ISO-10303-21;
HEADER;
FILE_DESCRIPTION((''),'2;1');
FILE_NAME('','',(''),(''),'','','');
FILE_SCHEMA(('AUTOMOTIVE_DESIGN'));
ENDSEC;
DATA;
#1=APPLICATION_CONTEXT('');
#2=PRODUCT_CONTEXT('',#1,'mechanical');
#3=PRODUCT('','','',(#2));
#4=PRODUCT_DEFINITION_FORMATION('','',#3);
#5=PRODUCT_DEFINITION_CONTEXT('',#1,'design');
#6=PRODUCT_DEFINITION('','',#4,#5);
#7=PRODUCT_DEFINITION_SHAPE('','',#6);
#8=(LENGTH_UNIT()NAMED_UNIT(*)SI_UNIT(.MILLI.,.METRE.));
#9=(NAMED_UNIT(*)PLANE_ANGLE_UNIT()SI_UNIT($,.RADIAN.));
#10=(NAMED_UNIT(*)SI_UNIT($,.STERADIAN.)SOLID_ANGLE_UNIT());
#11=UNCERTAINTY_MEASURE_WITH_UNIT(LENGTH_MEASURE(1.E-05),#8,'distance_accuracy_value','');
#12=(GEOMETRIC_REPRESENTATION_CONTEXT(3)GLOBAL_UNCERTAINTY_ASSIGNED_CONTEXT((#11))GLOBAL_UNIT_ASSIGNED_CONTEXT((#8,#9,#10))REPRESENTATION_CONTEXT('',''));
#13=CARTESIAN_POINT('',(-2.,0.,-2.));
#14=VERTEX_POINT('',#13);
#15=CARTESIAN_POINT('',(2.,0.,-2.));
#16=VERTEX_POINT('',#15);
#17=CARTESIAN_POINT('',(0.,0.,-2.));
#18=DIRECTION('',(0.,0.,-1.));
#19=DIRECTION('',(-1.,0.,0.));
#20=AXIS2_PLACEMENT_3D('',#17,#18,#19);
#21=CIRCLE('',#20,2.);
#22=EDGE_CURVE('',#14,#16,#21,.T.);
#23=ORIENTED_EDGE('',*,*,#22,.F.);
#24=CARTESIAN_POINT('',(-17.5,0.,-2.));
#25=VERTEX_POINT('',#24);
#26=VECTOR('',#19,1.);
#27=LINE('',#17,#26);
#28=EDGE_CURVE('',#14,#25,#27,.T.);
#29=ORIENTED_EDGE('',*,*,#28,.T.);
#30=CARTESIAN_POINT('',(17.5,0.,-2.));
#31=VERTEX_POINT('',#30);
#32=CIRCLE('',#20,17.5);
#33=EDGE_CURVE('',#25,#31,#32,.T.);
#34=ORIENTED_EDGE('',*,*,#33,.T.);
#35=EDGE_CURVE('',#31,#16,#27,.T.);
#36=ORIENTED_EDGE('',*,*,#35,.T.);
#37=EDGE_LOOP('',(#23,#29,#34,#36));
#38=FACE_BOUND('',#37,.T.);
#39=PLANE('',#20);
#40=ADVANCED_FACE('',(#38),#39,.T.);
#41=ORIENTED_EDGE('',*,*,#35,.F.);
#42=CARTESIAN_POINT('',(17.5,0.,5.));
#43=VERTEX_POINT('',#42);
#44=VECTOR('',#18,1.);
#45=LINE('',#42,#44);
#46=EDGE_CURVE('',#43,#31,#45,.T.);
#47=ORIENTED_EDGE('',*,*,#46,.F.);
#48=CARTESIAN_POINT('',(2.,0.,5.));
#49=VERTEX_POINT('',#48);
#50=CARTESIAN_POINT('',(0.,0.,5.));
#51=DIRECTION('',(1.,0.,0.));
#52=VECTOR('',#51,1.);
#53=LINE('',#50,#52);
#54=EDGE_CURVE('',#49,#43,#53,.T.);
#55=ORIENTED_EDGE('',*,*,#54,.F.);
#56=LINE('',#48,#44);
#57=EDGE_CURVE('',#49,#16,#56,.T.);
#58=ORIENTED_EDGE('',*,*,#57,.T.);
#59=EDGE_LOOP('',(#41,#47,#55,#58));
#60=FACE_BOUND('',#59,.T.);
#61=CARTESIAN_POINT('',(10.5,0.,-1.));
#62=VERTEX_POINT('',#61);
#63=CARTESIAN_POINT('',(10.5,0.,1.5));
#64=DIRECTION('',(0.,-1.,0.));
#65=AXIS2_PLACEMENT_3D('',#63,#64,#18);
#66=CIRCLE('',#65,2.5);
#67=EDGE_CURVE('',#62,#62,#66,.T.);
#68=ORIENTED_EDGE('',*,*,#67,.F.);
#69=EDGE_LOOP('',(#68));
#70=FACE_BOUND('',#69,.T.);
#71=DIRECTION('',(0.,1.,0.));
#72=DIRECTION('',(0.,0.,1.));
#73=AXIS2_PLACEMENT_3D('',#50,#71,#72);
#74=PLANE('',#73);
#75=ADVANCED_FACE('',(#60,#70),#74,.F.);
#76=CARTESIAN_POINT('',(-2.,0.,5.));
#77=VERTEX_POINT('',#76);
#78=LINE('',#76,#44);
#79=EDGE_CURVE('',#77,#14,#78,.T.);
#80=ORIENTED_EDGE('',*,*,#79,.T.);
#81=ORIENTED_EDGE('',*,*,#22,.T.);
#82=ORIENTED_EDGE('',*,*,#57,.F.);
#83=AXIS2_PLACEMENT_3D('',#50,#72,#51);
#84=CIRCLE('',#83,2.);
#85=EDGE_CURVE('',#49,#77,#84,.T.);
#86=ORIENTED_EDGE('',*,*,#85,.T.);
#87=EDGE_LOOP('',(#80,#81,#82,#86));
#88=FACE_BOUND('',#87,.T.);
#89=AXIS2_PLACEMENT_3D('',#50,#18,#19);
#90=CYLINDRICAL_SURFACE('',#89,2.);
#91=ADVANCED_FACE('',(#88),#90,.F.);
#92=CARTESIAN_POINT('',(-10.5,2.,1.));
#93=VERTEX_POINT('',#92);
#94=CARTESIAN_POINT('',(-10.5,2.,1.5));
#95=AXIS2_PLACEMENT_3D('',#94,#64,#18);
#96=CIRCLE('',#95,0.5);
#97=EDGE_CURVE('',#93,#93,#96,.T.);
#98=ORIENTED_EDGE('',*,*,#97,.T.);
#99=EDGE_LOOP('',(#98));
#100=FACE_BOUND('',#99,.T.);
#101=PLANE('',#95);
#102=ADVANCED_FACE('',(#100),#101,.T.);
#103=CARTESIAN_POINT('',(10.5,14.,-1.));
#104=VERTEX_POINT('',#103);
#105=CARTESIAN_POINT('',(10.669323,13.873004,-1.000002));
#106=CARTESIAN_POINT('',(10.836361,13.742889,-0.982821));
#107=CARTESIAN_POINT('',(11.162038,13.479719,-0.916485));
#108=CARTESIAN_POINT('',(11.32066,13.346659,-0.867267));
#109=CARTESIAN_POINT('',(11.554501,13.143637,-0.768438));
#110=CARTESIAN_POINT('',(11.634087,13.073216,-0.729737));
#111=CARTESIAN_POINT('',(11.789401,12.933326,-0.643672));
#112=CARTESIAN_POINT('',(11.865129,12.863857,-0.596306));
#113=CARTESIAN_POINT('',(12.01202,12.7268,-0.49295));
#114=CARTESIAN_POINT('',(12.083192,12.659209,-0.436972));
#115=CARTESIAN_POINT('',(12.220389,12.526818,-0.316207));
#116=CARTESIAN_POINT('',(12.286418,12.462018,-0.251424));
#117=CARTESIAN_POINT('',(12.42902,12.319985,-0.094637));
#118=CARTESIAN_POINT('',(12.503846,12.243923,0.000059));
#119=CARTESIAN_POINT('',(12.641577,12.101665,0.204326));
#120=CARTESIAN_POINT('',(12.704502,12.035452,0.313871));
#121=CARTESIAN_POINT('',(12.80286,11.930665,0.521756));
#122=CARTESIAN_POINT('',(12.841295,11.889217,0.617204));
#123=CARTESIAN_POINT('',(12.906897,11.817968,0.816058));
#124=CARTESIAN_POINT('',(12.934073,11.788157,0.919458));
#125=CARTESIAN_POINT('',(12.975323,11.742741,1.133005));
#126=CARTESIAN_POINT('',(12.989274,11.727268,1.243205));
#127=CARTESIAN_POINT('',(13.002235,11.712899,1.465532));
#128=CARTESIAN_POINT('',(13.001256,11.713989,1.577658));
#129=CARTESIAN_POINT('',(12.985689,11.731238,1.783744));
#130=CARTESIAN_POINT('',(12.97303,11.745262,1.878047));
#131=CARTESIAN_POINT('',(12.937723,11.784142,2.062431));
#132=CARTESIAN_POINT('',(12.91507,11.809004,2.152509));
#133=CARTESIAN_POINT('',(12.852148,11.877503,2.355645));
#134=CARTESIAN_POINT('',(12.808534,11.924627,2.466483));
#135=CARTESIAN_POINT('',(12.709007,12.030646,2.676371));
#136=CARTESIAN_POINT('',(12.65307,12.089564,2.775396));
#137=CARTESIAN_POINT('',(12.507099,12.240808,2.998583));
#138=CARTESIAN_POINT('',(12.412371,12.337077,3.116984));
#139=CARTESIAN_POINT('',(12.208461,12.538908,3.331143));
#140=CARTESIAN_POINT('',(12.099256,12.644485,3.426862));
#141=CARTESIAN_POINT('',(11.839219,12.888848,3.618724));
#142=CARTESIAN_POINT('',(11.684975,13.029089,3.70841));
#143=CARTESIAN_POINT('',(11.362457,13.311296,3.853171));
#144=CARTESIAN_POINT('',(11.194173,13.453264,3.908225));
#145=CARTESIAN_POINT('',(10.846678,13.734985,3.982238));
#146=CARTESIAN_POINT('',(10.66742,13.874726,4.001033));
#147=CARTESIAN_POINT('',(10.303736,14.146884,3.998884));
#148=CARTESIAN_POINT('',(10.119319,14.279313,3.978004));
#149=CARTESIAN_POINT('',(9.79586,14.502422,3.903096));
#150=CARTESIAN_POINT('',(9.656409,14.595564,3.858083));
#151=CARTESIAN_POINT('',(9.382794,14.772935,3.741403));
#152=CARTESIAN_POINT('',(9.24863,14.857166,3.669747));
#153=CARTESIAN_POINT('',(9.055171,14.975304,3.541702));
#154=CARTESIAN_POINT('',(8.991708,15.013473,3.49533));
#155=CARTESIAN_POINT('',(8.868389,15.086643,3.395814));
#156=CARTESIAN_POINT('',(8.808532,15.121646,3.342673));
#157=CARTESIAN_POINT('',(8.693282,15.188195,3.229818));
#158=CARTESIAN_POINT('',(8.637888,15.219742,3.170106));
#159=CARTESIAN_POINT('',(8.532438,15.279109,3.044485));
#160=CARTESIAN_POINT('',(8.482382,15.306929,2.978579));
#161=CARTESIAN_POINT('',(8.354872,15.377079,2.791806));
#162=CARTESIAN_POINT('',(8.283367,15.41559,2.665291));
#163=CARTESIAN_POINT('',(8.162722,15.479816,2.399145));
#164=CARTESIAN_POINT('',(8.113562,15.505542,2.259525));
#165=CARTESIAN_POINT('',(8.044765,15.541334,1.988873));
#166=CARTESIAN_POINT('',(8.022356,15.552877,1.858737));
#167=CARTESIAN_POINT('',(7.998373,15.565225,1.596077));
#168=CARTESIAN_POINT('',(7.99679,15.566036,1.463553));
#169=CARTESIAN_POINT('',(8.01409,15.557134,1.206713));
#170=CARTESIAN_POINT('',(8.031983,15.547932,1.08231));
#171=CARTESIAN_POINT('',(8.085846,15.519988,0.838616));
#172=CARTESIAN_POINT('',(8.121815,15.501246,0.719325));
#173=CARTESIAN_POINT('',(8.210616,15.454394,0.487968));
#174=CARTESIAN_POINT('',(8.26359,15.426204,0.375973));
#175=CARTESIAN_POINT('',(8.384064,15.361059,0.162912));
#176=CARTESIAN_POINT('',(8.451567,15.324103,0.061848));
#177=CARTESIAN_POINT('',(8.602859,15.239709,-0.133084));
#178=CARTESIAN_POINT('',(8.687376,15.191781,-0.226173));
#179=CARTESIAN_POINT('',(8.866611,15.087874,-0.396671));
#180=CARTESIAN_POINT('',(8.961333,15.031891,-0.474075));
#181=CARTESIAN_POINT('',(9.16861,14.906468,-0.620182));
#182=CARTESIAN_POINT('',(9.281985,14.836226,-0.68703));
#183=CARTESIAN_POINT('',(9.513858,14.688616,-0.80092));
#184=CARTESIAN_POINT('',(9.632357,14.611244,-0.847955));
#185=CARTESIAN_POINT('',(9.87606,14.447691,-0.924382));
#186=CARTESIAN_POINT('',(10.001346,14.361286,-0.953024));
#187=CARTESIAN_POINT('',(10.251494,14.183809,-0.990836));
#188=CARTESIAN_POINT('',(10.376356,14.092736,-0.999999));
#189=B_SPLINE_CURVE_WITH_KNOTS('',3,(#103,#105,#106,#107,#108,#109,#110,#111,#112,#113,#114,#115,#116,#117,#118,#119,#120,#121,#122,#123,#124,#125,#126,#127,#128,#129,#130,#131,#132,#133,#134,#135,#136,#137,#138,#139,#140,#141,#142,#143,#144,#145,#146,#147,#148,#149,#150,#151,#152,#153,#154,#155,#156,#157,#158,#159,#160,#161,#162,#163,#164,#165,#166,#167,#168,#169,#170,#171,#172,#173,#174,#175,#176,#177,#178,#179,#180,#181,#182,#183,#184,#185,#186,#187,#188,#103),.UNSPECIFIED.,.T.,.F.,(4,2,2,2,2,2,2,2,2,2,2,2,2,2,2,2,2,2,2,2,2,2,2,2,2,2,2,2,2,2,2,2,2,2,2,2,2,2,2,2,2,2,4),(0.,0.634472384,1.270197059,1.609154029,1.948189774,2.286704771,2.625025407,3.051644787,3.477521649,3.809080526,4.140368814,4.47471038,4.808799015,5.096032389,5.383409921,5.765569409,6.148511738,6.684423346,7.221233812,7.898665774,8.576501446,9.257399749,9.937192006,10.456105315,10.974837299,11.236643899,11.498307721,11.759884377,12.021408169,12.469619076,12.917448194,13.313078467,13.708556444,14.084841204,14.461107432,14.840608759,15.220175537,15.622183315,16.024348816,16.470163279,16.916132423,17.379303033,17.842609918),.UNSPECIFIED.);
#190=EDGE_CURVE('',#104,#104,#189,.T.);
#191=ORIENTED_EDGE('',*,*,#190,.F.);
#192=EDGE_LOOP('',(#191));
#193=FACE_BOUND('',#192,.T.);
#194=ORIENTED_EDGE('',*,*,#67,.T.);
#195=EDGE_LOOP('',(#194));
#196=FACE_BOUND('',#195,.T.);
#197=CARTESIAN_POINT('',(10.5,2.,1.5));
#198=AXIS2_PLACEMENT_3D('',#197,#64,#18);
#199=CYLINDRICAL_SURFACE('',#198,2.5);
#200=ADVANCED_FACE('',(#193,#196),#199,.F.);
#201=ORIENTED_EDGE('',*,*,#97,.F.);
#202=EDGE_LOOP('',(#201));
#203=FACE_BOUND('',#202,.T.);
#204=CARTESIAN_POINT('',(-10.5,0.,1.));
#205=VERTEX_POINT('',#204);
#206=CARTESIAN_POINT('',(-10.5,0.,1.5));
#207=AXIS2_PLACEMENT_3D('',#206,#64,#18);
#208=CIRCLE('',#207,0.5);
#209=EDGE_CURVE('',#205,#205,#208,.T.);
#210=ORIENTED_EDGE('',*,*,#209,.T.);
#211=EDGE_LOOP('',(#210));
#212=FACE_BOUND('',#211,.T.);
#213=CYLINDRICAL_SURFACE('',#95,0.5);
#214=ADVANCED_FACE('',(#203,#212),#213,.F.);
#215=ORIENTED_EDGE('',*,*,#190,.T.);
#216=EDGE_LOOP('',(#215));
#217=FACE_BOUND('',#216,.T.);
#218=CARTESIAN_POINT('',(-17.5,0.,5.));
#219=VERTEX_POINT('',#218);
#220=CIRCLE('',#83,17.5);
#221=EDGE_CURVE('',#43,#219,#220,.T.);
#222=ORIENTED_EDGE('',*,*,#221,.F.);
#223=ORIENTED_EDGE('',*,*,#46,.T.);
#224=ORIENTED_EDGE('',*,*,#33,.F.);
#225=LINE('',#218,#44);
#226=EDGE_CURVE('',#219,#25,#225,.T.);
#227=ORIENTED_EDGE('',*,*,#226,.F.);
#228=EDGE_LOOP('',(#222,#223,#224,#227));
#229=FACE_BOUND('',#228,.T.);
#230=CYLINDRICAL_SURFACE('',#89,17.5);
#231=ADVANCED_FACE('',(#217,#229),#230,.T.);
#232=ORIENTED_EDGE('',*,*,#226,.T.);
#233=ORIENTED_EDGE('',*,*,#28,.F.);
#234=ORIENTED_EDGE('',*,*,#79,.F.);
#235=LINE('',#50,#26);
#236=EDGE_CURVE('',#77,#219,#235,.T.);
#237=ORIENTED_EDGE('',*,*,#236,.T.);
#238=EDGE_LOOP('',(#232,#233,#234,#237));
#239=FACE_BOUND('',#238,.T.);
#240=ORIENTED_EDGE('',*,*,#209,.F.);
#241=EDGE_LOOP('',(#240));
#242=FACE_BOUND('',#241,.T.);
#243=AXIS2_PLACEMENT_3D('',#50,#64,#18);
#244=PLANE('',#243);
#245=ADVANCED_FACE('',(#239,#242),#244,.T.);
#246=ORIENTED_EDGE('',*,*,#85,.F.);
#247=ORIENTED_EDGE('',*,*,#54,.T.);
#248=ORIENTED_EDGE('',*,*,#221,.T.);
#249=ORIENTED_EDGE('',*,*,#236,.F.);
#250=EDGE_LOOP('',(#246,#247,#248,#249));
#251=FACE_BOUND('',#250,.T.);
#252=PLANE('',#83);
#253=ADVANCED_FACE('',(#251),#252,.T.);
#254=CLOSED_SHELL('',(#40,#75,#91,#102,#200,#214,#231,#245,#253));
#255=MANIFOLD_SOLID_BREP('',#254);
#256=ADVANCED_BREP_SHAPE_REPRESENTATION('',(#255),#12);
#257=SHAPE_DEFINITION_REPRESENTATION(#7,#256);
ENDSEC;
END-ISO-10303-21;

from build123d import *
from build123d.topology import SkipClean

# Parameters (mm, degrees)
BOSS_EXTRU_1_DEPTH      = 5
BOSS_EXTRU_3_START      = 2
BOSS_EXTRU_3_DEPTH      = 2
ESQUISSE5_R             = 0.5
ESQUISSE5_R_2           = 2.5
ENL_V_MAT_EXTRU_1_DEPTH = 2
ESQUISSE7_R             = 2.5
ENL_V_MAT_EXTRU_2_DEPTH = 24.906066176
ESQUISSE8_R             = 2
ENL_V_MAT_EXTRU_3_DEPTH = 26.719642463


with BuildPart() as part:
    # Esquisse1 → Boss.-Extru.1 (new body)
    with BuildSketch(Plane.XY):
        with BuildLine():
            Line((-1.732050808, 1), (1.732050808, 1))
            ThreePointArc((1.732050808, 1), (1.931851653, 0.51763809), (2, 0))
            Line((2, 0), (17.5, 0))
            ThreePointArc((17.5, 0), (0, 17.5), (-17.5, 0))
            Line((-17.5, 0), (-2, 0))
            ThreePointArc((-2, 0), (-1.931851653, 0.51763809), (-1.732050808, 1))
        make_face()
    extrude(amount=BOSS_EXTRU_1_DEPTH)

    # Esquisse3 → Boss.-Extru.3 (add)
    with SkipClean():  # the faces are left unmerged after this step: merging them gives an invalid solid
        with BuildSketch(Plane(origin=(0, 0, 0), x_dir=(-1, 0, 0), z_dir=(0, 0, -1)).offset(BOSS_EXTRU_3_START)):
            with BuildLine():
                Line((0, 2), (0, 17.5))
                ThreePointArc((0, 17.5), (-12.374368671, 12.374368671), (-17.5, 0))
                Line((-17.5, 0), (-2, 0))
                ThreePointArc((-2, 0), (-1.931851653, 0.51763809), (-1.732050808, 1))
                ThreePointArc((-1.732050808, 1), (-1, 1.732050808), (0, 2))
            make_face()
            with BuildLine():
                ThreePointArc((17.5, 0), (12.374368671, 12.374368671), (0, 17.5))
                Line((0, 17.5), (0, 2))
                ThreePointArc((0, 2), (1, 1.732050808), (1.732050808, 1))
                ThreePointArc((1.732050808, 1), (1.931851653, 0.51763809), (2, 0))
                Line((2, 0), (17.5, 0))
            make_face()
        extrude(amount=-BOSS_EXTRU_3_DEPTH)

    # Esquisse5 → Enlèv. mat.-Extru.1 (cut)
    with SkipClean():  # the faces are left unmerged after this step: merging them gives an invalid solid
        with BuildSketch(Plane.XZ):
            with Locations(Location((-10.5, 1.5, 0), (0, 0, 270))):
                Circle(ESQUISSE5_R)
            with Locations(Location((10.5, 1.5, 0), (0, 0, 270))):
                Circle(ESQUISSE5_R_2)
        extrude(amount=-ENL_V_MAT_EXTRU_1_DEPTH, mode=Mode.SUBTRACT)

    # Esquisse7 → Enlèv. mat.-Extru.2 (cut, through all)
    with SkipClean():  # the faces are left unmerged after this step: merging them gives an invalid solid
        with BuildSketch(Plane.XZ.offset(-2)):
            with Locations(Location((10.5, 1.5, 0), (0, 0, 270))):
                Circle(ESQUISSE7_R)
        extrude(amount=-ENL_V_MAT_EXTRU_2_DEPTH, mode=Mode.SUBTRACT)

    # Esquisse8 → Enlèv. mat.-Extru.3 (cut, through all)
    with SkipClean():  # the faces are left unmerged after this step: merging them gives an invalid solid
        with BuildSketch(Plane(origin=(0, 0, -2), x_dir=(-1, 0, 0), z_dir=(0, 0, -1))):
            Circle(ESQUISSE8_R)
        extrude(amount=-ENL_V_MAT_EXTRU_3_DEPTH, mode=Mode.SUBTRACT)


solid = part.part
